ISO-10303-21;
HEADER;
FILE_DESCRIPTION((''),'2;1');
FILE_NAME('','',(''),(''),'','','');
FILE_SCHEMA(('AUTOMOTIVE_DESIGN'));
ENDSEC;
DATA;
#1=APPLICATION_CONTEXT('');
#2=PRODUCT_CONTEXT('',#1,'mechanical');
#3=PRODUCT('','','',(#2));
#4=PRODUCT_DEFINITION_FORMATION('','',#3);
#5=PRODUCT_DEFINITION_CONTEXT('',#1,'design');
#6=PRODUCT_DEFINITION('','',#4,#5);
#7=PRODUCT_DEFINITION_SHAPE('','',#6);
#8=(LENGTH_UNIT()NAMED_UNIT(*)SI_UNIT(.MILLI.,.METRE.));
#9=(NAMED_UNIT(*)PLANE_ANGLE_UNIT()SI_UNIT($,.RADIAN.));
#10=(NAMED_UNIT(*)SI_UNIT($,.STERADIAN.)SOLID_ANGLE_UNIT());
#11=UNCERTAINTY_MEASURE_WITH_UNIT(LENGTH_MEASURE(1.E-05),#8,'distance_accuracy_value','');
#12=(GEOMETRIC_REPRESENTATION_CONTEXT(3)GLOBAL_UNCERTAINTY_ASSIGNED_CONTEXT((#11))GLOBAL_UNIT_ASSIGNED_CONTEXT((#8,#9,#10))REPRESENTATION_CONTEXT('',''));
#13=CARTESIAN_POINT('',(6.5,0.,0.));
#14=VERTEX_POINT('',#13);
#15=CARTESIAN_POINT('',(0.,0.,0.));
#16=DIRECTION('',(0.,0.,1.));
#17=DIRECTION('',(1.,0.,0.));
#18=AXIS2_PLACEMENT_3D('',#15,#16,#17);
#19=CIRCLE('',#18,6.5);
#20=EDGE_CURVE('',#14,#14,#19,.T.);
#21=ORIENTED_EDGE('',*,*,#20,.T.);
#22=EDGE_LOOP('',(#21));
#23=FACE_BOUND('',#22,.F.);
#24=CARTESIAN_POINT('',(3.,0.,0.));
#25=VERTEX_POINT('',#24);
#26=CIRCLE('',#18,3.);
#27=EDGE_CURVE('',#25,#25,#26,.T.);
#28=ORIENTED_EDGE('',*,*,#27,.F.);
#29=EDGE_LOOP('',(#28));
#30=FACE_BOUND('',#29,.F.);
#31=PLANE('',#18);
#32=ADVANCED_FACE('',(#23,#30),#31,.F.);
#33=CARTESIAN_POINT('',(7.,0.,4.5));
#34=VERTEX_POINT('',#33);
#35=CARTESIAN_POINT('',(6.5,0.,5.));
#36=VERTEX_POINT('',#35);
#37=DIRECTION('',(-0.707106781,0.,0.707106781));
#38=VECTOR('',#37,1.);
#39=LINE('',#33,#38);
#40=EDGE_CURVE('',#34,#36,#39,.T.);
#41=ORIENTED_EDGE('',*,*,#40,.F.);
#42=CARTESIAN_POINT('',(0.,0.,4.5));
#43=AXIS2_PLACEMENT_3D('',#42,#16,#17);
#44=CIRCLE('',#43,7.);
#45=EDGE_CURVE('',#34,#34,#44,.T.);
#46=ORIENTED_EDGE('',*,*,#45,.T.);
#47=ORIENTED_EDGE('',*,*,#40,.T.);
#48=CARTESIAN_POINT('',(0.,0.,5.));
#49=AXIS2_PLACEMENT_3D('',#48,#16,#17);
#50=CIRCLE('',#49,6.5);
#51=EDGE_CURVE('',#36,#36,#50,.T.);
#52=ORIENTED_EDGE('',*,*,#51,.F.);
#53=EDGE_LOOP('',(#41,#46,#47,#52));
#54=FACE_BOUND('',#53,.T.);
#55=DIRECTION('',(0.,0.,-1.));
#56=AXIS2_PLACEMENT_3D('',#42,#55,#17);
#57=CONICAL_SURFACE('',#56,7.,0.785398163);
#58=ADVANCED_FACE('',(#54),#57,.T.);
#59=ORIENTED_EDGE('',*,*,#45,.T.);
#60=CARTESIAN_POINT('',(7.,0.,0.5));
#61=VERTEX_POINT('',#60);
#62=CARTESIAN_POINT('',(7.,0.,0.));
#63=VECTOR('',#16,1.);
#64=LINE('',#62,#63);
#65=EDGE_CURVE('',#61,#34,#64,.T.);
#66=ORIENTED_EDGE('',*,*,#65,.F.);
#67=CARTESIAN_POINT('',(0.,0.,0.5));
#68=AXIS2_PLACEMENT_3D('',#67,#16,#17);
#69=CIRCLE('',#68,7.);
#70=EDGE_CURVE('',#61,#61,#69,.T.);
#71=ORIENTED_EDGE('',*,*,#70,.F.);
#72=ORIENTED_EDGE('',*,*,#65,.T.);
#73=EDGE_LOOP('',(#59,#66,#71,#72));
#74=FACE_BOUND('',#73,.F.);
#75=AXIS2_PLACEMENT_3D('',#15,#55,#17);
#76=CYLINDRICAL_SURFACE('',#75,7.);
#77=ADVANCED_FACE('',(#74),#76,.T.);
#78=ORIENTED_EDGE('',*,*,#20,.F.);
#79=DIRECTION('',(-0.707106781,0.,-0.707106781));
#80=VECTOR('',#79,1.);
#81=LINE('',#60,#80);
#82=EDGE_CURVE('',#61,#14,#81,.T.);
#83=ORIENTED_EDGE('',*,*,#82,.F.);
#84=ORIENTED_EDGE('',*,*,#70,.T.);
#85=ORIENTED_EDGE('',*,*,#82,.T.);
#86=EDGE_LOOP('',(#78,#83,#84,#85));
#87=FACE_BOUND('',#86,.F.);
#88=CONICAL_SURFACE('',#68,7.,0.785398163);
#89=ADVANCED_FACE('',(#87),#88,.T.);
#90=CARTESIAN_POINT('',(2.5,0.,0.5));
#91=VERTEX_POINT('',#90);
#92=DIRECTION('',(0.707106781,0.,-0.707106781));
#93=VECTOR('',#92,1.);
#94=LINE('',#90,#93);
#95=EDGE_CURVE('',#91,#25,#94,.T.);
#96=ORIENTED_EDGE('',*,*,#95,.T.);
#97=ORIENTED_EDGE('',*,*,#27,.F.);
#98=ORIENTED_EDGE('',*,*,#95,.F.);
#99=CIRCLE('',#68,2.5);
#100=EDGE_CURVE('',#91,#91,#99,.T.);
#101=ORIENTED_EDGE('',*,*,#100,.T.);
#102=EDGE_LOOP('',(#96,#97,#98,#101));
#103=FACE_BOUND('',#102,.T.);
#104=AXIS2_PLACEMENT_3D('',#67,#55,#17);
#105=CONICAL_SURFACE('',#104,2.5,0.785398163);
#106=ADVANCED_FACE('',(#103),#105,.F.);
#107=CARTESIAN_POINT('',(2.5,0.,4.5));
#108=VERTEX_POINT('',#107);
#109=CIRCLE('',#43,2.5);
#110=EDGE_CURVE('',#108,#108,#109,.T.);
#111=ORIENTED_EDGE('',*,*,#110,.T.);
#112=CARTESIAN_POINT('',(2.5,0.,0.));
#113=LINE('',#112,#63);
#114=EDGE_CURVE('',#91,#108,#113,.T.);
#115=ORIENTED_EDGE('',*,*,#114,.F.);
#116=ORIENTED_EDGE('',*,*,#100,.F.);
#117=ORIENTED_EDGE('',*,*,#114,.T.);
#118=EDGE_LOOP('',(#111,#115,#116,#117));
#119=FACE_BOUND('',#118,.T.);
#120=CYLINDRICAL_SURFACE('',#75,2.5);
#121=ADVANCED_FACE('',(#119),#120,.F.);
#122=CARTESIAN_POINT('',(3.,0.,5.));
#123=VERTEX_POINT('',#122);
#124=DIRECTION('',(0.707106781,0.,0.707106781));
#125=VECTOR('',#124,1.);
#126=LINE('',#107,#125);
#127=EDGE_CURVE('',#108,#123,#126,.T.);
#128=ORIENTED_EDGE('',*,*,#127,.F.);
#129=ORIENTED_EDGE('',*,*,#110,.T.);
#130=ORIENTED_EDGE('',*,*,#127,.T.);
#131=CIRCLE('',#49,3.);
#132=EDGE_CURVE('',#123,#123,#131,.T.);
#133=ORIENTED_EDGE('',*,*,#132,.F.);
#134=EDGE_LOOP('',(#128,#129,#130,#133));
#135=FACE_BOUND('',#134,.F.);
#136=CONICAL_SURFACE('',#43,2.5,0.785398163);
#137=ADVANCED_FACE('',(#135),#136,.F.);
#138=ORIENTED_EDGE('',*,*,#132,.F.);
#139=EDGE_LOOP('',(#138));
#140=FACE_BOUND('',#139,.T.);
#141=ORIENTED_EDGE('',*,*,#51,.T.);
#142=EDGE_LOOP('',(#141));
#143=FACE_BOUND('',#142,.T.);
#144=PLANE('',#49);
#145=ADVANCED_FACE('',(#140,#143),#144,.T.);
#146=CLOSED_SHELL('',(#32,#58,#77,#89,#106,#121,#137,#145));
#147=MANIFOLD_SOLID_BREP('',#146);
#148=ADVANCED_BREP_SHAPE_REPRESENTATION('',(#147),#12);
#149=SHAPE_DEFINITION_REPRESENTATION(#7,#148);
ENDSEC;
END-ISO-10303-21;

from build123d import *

# Parameters (mm, degrees)
SKETCH1_R           = 7
SKETCH1_R_2         = 2.5
BOSS_EXTRUDE1_DEPTH = 5
CHAMFER1_SIZE       = 0.5


with BuildPart() as part:
    # Sketch1 → Boss-Extrude1 (new body)
    with BuildSketch(Plane.XY):
        Circle(SKETCH1_R)
        Circle(SKETCH1_R_2, mode=Mode.SUBTRACT)
    extrude(amount=BOSS_EXTRUDE1_DEPTH)

    # Chamfer1
    chamfer1_edges = [part.edges().sort_by_distance(p)[0] for p in [
        (-7, 0, 0),
        (-7, 0, 5),
        (-2.5, 0, 0),
        (-2.5, 0, 5),
    ]]
    chamfer(chamfer1_edges, length=CHAMFER1_SIZE)


solid = part.part
